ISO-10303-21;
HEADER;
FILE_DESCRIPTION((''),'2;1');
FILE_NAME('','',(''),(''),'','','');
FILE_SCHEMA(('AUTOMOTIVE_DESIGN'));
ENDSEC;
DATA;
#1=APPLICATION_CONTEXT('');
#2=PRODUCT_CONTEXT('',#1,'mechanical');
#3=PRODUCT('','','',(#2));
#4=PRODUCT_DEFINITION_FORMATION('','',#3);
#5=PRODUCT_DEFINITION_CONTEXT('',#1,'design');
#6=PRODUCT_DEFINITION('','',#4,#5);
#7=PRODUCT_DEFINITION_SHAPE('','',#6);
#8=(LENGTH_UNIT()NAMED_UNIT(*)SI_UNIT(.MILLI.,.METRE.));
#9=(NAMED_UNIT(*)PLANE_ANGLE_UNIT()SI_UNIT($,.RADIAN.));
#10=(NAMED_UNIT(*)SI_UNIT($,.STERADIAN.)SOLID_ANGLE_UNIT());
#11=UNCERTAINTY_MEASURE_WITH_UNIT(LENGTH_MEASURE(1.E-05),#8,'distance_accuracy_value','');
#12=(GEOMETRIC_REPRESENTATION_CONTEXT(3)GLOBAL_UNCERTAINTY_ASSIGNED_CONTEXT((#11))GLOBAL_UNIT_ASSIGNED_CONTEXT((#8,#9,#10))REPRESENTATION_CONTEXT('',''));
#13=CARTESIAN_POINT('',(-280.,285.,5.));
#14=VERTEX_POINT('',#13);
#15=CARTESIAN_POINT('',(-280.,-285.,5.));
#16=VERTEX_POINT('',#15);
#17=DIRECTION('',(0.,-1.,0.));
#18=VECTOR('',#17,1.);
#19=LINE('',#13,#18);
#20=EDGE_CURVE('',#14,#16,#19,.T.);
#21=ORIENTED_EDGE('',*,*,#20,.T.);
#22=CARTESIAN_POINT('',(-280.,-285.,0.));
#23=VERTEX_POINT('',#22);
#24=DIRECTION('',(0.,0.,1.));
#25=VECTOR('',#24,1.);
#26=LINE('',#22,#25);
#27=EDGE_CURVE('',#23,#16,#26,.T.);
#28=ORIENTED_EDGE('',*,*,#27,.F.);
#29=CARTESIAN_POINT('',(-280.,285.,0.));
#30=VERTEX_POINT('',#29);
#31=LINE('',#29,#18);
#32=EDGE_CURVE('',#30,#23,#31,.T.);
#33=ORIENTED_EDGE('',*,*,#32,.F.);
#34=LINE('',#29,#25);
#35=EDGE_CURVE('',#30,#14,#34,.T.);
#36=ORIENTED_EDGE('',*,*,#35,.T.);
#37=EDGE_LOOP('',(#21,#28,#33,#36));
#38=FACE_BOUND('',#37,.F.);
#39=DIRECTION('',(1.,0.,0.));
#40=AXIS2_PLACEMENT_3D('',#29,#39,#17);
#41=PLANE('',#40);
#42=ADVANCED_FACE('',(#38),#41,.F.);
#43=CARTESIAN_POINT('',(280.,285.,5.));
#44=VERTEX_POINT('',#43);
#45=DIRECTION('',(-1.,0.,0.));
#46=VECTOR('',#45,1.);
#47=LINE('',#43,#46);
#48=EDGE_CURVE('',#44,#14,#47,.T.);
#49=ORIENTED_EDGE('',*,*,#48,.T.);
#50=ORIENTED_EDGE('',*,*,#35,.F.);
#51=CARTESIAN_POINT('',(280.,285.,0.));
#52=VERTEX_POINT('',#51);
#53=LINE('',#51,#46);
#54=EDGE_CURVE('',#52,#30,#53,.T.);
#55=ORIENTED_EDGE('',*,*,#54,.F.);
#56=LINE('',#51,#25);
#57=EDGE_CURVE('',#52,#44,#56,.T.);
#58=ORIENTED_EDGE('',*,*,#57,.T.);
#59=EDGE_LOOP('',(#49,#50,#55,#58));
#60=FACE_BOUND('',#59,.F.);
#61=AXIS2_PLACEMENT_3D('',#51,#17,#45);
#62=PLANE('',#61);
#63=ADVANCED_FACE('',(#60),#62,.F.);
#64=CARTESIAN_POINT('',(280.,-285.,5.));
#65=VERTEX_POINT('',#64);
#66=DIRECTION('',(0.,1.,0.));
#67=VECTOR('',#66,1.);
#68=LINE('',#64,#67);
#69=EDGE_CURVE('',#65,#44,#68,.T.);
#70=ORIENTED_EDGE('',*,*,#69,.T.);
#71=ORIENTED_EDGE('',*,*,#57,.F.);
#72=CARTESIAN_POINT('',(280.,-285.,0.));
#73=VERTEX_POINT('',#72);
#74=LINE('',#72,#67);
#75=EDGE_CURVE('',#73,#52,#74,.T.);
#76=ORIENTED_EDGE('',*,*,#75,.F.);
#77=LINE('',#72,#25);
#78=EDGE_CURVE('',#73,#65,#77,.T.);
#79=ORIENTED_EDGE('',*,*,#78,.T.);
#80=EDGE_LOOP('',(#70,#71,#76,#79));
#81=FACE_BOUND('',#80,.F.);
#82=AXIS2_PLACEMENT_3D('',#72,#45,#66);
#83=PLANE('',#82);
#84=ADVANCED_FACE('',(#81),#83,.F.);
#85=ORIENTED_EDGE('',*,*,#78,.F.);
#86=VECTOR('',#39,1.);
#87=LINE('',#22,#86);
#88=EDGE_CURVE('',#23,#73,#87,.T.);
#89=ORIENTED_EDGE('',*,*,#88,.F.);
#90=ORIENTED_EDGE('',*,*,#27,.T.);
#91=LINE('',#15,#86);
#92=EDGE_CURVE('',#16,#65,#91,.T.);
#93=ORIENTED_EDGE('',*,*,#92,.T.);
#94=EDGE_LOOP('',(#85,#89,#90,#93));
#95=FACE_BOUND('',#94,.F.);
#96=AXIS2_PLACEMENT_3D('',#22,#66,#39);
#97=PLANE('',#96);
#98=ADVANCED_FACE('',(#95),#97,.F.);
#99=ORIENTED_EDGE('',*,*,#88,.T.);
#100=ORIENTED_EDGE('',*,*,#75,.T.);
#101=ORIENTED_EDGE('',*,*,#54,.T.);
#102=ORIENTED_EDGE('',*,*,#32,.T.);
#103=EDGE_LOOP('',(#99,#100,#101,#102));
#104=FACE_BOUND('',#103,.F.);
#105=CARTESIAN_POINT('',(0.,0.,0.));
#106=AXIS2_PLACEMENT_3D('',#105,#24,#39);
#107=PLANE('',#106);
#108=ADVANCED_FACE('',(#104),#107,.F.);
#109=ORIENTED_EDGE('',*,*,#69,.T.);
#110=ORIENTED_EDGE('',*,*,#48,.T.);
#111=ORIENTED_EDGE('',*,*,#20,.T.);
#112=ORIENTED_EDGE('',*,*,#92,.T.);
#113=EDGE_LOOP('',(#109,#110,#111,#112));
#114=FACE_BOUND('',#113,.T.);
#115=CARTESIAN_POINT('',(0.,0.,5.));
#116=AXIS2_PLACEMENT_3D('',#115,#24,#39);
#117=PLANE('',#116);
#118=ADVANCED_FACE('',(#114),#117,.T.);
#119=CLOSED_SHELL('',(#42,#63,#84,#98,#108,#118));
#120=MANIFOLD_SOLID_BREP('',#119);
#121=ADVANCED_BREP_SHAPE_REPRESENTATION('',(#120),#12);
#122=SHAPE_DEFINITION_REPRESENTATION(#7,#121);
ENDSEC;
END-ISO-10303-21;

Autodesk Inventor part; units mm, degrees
ref_plane "YZ Plane" through (0, 0, 0) normal (1, 0, 0) x (0, 1, 0)
ref_plane "XZ Plane" through (0, 0, 0) normal (0, 1, 0) x (-1, 0, 0)
ref_plane "XY Plane" through (0, 0, 0) normal (0, 0, 1) x (1, 0, 0)
sketch "스케치1" plane through (0, 0, 0) normal (0, 0, 1) x (1, 0, 0)
  line L0 (-280, -285) -> (280, -285)
  line L1 (280, -285) -> (280, 285)
  line L2 (280, 285) -> (-280, 285)
  line L3 (-280, 285) -> (-280, -285)
  line L4 (-280, -285) -> (280, 285) construction
  line L5 (280, -285) -> (-280, 285) construction
  point P0 (0, 0)
  dimension "d0" = 560
  dimension "d1" = 570
extrude "돌출1" add sketch "스케치1" along normal blind 5
properties part number "570x610 패널"
